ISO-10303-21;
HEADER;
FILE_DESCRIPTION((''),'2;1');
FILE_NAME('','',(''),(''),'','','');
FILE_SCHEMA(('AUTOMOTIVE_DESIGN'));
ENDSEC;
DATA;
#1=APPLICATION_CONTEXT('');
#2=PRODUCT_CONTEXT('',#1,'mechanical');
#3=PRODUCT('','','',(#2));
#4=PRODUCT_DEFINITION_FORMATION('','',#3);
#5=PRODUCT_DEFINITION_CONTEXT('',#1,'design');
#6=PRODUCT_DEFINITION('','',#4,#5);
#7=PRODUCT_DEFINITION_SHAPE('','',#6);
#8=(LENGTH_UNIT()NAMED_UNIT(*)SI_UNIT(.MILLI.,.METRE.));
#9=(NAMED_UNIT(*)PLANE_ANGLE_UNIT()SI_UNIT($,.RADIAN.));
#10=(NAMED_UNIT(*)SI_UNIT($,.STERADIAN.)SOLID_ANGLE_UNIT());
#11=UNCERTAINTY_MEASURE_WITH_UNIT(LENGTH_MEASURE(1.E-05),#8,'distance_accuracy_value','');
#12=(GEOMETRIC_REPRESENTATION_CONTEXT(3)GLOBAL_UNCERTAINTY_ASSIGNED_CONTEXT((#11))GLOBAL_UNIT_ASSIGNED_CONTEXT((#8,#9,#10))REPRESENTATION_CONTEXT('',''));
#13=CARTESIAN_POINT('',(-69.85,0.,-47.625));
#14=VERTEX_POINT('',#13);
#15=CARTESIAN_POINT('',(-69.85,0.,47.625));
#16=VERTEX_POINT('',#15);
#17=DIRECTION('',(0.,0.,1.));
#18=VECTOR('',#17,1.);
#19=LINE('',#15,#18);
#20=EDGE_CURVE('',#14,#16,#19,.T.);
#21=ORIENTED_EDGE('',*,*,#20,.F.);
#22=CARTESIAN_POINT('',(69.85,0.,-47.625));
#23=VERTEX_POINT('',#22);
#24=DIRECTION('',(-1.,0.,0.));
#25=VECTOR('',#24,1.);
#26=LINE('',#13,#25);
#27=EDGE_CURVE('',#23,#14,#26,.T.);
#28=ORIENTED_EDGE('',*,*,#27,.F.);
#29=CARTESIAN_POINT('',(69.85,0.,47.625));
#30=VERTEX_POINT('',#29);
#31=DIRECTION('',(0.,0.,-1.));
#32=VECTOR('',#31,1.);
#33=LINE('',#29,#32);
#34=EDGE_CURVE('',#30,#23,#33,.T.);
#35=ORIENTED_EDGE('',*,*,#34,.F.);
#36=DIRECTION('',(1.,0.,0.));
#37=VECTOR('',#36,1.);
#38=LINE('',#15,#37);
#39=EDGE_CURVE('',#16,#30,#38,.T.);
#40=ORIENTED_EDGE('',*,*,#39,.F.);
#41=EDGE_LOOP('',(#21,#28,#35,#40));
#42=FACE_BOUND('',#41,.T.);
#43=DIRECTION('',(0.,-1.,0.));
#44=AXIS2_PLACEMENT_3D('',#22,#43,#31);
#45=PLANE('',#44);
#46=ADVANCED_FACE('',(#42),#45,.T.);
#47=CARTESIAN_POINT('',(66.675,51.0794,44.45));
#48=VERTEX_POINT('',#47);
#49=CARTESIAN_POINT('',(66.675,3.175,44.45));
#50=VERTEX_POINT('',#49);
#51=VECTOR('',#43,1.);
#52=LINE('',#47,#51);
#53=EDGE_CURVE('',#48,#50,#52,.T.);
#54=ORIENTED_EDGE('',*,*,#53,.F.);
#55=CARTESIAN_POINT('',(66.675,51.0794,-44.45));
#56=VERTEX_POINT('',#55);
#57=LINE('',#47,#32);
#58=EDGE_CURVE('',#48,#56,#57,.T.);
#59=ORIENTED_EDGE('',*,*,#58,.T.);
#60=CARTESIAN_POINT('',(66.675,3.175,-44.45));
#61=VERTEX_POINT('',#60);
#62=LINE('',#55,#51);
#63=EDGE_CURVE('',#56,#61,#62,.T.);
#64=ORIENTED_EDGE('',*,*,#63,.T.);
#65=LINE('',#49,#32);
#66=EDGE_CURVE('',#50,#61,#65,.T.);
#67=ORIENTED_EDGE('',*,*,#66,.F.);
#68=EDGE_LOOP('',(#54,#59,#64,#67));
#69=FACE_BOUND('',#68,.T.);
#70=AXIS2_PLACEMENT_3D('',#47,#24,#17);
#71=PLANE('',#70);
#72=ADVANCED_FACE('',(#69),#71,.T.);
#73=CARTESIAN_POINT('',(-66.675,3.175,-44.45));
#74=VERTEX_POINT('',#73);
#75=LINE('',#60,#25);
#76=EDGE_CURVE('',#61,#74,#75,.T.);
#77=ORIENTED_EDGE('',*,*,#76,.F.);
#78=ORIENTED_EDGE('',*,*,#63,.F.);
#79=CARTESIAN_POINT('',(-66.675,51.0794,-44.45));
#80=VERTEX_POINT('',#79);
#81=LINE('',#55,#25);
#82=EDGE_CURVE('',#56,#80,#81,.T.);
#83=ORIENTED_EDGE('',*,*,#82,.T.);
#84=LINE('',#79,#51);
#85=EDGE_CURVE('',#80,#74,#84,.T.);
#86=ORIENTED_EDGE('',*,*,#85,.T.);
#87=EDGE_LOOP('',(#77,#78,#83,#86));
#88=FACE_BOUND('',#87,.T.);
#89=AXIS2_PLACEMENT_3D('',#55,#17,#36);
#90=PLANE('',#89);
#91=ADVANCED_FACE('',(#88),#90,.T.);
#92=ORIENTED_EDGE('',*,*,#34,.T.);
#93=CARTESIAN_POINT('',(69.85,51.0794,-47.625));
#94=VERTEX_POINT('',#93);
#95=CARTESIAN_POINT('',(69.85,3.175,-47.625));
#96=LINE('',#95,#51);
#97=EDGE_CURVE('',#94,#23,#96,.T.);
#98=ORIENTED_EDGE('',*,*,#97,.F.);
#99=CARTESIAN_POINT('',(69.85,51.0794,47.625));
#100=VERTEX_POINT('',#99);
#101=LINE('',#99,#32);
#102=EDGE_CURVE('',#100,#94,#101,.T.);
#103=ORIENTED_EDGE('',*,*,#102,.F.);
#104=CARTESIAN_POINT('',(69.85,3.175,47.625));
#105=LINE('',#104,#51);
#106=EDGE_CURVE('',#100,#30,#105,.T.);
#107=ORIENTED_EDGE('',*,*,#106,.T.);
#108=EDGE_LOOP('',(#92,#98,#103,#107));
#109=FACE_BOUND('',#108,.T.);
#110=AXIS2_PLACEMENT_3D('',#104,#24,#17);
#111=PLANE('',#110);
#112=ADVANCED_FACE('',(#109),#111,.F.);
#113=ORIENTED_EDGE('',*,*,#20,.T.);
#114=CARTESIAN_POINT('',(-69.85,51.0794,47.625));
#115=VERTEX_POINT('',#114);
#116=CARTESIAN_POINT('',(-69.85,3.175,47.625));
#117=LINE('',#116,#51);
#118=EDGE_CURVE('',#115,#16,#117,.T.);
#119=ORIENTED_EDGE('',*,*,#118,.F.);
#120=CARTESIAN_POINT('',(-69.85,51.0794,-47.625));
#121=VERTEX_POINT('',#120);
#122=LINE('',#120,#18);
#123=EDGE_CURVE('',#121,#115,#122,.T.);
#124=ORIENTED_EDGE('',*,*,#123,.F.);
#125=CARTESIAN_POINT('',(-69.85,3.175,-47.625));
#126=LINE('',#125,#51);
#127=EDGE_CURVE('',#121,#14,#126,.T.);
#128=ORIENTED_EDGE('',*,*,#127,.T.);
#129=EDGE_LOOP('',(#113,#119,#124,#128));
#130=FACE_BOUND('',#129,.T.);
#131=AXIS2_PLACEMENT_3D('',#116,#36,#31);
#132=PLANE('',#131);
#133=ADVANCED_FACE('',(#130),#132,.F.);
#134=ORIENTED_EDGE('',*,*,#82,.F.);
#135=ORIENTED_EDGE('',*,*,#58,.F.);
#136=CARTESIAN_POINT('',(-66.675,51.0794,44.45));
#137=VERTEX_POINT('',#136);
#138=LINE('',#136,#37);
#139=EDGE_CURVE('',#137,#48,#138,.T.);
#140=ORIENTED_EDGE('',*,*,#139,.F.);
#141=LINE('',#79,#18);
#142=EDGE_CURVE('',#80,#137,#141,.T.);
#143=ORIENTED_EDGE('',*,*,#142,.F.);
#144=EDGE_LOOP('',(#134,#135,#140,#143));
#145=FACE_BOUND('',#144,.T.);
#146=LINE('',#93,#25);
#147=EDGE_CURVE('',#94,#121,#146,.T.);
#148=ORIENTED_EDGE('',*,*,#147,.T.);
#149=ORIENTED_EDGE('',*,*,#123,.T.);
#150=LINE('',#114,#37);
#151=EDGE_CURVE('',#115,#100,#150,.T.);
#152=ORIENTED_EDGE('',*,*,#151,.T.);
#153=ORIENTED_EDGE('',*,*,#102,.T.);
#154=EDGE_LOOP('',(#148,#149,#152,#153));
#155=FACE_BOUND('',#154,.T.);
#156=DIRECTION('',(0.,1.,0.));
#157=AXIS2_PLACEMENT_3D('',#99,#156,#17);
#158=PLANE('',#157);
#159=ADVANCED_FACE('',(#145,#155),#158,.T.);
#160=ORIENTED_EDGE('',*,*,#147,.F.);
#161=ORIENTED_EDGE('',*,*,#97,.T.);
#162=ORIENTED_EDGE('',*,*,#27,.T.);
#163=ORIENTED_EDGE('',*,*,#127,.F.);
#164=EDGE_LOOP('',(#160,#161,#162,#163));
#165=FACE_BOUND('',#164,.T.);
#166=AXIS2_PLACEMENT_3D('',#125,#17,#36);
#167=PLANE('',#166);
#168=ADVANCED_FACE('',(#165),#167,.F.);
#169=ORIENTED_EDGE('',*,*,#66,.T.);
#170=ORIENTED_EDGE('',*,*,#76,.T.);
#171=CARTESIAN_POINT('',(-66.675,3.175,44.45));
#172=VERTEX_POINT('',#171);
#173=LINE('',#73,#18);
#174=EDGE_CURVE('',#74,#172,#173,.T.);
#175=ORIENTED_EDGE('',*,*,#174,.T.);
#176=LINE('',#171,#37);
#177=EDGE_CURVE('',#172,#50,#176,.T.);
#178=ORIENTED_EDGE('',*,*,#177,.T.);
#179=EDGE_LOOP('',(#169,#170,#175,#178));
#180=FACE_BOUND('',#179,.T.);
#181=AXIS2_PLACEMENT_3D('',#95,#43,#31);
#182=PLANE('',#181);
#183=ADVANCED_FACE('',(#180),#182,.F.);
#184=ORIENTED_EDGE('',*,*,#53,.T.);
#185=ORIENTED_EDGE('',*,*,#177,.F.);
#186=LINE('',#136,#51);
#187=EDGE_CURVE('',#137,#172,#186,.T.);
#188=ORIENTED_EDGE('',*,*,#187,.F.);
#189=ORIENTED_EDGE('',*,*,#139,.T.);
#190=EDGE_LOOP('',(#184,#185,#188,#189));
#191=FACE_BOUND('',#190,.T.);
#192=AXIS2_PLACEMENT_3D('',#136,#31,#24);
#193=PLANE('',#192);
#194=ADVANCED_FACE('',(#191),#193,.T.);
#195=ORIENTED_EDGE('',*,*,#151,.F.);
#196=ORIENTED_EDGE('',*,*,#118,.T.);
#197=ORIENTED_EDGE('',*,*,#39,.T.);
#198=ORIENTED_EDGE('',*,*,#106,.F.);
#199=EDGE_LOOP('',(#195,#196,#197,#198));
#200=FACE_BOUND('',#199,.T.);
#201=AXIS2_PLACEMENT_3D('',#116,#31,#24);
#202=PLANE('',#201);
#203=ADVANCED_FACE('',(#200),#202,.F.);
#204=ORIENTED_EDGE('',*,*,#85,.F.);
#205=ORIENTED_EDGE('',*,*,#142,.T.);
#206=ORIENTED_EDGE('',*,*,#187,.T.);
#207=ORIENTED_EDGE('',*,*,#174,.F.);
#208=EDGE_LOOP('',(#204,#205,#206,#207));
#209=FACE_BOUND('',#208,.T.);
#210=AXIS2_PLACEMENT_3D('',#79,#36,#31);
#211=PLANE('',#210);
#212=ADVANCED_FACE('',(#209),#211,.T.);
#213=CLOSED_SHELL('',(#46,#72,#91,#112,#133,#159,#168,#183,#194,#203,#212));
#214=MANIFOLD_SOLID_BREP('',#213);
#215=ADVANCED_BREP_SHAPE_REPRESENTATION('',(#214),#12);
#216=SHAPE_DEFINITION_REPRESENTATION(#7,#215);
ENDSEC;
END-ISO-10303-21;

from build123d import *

# Parameters (mm, degrees)
SKETCH1_W           = 139.7
SKETCH1_H           = 95.25
BOSS_EXTRUDE1_DEPTH = 3.175
SKETCH2_W           = 139.7
SKETCH2_H           = 95.25
SKETCH2_W_2         = 133.35
SKETCH2_H_2         = 88.9
BOSS_EXTRUDE2_DEPTH = 47.9044


with BuildPart() as part:
    # Sketch1 → Boss-Extrude1 (new body)
    with BuildSketch(Plane(origin=(0, 0, 0), x_dir=(1, 0, 0), z_dir=(0, 1, 0))):
        Rectangle(SKETCH1_W, SKETCH1_H)
    extrude(amount=BOSS_EXTRUDE1_DEPTH)

    # Sketch2 → Boss-Extrude2 (add)
    with BuildSketch(Plane(origin=(0, 3.175, 0), x_dir=(1, 0, 0), z_dir=(0, 1, 0))):
        Rectangle(SKETCH2_W, SKETCH2_H)
        Rectangle(SKETCH2_W_2, SKETCH2_H_2, mode=Mode.SUBTRACT)
    extrude(amount=BOSS_EXTRUDE2_DEPTH)


solid = part.part
